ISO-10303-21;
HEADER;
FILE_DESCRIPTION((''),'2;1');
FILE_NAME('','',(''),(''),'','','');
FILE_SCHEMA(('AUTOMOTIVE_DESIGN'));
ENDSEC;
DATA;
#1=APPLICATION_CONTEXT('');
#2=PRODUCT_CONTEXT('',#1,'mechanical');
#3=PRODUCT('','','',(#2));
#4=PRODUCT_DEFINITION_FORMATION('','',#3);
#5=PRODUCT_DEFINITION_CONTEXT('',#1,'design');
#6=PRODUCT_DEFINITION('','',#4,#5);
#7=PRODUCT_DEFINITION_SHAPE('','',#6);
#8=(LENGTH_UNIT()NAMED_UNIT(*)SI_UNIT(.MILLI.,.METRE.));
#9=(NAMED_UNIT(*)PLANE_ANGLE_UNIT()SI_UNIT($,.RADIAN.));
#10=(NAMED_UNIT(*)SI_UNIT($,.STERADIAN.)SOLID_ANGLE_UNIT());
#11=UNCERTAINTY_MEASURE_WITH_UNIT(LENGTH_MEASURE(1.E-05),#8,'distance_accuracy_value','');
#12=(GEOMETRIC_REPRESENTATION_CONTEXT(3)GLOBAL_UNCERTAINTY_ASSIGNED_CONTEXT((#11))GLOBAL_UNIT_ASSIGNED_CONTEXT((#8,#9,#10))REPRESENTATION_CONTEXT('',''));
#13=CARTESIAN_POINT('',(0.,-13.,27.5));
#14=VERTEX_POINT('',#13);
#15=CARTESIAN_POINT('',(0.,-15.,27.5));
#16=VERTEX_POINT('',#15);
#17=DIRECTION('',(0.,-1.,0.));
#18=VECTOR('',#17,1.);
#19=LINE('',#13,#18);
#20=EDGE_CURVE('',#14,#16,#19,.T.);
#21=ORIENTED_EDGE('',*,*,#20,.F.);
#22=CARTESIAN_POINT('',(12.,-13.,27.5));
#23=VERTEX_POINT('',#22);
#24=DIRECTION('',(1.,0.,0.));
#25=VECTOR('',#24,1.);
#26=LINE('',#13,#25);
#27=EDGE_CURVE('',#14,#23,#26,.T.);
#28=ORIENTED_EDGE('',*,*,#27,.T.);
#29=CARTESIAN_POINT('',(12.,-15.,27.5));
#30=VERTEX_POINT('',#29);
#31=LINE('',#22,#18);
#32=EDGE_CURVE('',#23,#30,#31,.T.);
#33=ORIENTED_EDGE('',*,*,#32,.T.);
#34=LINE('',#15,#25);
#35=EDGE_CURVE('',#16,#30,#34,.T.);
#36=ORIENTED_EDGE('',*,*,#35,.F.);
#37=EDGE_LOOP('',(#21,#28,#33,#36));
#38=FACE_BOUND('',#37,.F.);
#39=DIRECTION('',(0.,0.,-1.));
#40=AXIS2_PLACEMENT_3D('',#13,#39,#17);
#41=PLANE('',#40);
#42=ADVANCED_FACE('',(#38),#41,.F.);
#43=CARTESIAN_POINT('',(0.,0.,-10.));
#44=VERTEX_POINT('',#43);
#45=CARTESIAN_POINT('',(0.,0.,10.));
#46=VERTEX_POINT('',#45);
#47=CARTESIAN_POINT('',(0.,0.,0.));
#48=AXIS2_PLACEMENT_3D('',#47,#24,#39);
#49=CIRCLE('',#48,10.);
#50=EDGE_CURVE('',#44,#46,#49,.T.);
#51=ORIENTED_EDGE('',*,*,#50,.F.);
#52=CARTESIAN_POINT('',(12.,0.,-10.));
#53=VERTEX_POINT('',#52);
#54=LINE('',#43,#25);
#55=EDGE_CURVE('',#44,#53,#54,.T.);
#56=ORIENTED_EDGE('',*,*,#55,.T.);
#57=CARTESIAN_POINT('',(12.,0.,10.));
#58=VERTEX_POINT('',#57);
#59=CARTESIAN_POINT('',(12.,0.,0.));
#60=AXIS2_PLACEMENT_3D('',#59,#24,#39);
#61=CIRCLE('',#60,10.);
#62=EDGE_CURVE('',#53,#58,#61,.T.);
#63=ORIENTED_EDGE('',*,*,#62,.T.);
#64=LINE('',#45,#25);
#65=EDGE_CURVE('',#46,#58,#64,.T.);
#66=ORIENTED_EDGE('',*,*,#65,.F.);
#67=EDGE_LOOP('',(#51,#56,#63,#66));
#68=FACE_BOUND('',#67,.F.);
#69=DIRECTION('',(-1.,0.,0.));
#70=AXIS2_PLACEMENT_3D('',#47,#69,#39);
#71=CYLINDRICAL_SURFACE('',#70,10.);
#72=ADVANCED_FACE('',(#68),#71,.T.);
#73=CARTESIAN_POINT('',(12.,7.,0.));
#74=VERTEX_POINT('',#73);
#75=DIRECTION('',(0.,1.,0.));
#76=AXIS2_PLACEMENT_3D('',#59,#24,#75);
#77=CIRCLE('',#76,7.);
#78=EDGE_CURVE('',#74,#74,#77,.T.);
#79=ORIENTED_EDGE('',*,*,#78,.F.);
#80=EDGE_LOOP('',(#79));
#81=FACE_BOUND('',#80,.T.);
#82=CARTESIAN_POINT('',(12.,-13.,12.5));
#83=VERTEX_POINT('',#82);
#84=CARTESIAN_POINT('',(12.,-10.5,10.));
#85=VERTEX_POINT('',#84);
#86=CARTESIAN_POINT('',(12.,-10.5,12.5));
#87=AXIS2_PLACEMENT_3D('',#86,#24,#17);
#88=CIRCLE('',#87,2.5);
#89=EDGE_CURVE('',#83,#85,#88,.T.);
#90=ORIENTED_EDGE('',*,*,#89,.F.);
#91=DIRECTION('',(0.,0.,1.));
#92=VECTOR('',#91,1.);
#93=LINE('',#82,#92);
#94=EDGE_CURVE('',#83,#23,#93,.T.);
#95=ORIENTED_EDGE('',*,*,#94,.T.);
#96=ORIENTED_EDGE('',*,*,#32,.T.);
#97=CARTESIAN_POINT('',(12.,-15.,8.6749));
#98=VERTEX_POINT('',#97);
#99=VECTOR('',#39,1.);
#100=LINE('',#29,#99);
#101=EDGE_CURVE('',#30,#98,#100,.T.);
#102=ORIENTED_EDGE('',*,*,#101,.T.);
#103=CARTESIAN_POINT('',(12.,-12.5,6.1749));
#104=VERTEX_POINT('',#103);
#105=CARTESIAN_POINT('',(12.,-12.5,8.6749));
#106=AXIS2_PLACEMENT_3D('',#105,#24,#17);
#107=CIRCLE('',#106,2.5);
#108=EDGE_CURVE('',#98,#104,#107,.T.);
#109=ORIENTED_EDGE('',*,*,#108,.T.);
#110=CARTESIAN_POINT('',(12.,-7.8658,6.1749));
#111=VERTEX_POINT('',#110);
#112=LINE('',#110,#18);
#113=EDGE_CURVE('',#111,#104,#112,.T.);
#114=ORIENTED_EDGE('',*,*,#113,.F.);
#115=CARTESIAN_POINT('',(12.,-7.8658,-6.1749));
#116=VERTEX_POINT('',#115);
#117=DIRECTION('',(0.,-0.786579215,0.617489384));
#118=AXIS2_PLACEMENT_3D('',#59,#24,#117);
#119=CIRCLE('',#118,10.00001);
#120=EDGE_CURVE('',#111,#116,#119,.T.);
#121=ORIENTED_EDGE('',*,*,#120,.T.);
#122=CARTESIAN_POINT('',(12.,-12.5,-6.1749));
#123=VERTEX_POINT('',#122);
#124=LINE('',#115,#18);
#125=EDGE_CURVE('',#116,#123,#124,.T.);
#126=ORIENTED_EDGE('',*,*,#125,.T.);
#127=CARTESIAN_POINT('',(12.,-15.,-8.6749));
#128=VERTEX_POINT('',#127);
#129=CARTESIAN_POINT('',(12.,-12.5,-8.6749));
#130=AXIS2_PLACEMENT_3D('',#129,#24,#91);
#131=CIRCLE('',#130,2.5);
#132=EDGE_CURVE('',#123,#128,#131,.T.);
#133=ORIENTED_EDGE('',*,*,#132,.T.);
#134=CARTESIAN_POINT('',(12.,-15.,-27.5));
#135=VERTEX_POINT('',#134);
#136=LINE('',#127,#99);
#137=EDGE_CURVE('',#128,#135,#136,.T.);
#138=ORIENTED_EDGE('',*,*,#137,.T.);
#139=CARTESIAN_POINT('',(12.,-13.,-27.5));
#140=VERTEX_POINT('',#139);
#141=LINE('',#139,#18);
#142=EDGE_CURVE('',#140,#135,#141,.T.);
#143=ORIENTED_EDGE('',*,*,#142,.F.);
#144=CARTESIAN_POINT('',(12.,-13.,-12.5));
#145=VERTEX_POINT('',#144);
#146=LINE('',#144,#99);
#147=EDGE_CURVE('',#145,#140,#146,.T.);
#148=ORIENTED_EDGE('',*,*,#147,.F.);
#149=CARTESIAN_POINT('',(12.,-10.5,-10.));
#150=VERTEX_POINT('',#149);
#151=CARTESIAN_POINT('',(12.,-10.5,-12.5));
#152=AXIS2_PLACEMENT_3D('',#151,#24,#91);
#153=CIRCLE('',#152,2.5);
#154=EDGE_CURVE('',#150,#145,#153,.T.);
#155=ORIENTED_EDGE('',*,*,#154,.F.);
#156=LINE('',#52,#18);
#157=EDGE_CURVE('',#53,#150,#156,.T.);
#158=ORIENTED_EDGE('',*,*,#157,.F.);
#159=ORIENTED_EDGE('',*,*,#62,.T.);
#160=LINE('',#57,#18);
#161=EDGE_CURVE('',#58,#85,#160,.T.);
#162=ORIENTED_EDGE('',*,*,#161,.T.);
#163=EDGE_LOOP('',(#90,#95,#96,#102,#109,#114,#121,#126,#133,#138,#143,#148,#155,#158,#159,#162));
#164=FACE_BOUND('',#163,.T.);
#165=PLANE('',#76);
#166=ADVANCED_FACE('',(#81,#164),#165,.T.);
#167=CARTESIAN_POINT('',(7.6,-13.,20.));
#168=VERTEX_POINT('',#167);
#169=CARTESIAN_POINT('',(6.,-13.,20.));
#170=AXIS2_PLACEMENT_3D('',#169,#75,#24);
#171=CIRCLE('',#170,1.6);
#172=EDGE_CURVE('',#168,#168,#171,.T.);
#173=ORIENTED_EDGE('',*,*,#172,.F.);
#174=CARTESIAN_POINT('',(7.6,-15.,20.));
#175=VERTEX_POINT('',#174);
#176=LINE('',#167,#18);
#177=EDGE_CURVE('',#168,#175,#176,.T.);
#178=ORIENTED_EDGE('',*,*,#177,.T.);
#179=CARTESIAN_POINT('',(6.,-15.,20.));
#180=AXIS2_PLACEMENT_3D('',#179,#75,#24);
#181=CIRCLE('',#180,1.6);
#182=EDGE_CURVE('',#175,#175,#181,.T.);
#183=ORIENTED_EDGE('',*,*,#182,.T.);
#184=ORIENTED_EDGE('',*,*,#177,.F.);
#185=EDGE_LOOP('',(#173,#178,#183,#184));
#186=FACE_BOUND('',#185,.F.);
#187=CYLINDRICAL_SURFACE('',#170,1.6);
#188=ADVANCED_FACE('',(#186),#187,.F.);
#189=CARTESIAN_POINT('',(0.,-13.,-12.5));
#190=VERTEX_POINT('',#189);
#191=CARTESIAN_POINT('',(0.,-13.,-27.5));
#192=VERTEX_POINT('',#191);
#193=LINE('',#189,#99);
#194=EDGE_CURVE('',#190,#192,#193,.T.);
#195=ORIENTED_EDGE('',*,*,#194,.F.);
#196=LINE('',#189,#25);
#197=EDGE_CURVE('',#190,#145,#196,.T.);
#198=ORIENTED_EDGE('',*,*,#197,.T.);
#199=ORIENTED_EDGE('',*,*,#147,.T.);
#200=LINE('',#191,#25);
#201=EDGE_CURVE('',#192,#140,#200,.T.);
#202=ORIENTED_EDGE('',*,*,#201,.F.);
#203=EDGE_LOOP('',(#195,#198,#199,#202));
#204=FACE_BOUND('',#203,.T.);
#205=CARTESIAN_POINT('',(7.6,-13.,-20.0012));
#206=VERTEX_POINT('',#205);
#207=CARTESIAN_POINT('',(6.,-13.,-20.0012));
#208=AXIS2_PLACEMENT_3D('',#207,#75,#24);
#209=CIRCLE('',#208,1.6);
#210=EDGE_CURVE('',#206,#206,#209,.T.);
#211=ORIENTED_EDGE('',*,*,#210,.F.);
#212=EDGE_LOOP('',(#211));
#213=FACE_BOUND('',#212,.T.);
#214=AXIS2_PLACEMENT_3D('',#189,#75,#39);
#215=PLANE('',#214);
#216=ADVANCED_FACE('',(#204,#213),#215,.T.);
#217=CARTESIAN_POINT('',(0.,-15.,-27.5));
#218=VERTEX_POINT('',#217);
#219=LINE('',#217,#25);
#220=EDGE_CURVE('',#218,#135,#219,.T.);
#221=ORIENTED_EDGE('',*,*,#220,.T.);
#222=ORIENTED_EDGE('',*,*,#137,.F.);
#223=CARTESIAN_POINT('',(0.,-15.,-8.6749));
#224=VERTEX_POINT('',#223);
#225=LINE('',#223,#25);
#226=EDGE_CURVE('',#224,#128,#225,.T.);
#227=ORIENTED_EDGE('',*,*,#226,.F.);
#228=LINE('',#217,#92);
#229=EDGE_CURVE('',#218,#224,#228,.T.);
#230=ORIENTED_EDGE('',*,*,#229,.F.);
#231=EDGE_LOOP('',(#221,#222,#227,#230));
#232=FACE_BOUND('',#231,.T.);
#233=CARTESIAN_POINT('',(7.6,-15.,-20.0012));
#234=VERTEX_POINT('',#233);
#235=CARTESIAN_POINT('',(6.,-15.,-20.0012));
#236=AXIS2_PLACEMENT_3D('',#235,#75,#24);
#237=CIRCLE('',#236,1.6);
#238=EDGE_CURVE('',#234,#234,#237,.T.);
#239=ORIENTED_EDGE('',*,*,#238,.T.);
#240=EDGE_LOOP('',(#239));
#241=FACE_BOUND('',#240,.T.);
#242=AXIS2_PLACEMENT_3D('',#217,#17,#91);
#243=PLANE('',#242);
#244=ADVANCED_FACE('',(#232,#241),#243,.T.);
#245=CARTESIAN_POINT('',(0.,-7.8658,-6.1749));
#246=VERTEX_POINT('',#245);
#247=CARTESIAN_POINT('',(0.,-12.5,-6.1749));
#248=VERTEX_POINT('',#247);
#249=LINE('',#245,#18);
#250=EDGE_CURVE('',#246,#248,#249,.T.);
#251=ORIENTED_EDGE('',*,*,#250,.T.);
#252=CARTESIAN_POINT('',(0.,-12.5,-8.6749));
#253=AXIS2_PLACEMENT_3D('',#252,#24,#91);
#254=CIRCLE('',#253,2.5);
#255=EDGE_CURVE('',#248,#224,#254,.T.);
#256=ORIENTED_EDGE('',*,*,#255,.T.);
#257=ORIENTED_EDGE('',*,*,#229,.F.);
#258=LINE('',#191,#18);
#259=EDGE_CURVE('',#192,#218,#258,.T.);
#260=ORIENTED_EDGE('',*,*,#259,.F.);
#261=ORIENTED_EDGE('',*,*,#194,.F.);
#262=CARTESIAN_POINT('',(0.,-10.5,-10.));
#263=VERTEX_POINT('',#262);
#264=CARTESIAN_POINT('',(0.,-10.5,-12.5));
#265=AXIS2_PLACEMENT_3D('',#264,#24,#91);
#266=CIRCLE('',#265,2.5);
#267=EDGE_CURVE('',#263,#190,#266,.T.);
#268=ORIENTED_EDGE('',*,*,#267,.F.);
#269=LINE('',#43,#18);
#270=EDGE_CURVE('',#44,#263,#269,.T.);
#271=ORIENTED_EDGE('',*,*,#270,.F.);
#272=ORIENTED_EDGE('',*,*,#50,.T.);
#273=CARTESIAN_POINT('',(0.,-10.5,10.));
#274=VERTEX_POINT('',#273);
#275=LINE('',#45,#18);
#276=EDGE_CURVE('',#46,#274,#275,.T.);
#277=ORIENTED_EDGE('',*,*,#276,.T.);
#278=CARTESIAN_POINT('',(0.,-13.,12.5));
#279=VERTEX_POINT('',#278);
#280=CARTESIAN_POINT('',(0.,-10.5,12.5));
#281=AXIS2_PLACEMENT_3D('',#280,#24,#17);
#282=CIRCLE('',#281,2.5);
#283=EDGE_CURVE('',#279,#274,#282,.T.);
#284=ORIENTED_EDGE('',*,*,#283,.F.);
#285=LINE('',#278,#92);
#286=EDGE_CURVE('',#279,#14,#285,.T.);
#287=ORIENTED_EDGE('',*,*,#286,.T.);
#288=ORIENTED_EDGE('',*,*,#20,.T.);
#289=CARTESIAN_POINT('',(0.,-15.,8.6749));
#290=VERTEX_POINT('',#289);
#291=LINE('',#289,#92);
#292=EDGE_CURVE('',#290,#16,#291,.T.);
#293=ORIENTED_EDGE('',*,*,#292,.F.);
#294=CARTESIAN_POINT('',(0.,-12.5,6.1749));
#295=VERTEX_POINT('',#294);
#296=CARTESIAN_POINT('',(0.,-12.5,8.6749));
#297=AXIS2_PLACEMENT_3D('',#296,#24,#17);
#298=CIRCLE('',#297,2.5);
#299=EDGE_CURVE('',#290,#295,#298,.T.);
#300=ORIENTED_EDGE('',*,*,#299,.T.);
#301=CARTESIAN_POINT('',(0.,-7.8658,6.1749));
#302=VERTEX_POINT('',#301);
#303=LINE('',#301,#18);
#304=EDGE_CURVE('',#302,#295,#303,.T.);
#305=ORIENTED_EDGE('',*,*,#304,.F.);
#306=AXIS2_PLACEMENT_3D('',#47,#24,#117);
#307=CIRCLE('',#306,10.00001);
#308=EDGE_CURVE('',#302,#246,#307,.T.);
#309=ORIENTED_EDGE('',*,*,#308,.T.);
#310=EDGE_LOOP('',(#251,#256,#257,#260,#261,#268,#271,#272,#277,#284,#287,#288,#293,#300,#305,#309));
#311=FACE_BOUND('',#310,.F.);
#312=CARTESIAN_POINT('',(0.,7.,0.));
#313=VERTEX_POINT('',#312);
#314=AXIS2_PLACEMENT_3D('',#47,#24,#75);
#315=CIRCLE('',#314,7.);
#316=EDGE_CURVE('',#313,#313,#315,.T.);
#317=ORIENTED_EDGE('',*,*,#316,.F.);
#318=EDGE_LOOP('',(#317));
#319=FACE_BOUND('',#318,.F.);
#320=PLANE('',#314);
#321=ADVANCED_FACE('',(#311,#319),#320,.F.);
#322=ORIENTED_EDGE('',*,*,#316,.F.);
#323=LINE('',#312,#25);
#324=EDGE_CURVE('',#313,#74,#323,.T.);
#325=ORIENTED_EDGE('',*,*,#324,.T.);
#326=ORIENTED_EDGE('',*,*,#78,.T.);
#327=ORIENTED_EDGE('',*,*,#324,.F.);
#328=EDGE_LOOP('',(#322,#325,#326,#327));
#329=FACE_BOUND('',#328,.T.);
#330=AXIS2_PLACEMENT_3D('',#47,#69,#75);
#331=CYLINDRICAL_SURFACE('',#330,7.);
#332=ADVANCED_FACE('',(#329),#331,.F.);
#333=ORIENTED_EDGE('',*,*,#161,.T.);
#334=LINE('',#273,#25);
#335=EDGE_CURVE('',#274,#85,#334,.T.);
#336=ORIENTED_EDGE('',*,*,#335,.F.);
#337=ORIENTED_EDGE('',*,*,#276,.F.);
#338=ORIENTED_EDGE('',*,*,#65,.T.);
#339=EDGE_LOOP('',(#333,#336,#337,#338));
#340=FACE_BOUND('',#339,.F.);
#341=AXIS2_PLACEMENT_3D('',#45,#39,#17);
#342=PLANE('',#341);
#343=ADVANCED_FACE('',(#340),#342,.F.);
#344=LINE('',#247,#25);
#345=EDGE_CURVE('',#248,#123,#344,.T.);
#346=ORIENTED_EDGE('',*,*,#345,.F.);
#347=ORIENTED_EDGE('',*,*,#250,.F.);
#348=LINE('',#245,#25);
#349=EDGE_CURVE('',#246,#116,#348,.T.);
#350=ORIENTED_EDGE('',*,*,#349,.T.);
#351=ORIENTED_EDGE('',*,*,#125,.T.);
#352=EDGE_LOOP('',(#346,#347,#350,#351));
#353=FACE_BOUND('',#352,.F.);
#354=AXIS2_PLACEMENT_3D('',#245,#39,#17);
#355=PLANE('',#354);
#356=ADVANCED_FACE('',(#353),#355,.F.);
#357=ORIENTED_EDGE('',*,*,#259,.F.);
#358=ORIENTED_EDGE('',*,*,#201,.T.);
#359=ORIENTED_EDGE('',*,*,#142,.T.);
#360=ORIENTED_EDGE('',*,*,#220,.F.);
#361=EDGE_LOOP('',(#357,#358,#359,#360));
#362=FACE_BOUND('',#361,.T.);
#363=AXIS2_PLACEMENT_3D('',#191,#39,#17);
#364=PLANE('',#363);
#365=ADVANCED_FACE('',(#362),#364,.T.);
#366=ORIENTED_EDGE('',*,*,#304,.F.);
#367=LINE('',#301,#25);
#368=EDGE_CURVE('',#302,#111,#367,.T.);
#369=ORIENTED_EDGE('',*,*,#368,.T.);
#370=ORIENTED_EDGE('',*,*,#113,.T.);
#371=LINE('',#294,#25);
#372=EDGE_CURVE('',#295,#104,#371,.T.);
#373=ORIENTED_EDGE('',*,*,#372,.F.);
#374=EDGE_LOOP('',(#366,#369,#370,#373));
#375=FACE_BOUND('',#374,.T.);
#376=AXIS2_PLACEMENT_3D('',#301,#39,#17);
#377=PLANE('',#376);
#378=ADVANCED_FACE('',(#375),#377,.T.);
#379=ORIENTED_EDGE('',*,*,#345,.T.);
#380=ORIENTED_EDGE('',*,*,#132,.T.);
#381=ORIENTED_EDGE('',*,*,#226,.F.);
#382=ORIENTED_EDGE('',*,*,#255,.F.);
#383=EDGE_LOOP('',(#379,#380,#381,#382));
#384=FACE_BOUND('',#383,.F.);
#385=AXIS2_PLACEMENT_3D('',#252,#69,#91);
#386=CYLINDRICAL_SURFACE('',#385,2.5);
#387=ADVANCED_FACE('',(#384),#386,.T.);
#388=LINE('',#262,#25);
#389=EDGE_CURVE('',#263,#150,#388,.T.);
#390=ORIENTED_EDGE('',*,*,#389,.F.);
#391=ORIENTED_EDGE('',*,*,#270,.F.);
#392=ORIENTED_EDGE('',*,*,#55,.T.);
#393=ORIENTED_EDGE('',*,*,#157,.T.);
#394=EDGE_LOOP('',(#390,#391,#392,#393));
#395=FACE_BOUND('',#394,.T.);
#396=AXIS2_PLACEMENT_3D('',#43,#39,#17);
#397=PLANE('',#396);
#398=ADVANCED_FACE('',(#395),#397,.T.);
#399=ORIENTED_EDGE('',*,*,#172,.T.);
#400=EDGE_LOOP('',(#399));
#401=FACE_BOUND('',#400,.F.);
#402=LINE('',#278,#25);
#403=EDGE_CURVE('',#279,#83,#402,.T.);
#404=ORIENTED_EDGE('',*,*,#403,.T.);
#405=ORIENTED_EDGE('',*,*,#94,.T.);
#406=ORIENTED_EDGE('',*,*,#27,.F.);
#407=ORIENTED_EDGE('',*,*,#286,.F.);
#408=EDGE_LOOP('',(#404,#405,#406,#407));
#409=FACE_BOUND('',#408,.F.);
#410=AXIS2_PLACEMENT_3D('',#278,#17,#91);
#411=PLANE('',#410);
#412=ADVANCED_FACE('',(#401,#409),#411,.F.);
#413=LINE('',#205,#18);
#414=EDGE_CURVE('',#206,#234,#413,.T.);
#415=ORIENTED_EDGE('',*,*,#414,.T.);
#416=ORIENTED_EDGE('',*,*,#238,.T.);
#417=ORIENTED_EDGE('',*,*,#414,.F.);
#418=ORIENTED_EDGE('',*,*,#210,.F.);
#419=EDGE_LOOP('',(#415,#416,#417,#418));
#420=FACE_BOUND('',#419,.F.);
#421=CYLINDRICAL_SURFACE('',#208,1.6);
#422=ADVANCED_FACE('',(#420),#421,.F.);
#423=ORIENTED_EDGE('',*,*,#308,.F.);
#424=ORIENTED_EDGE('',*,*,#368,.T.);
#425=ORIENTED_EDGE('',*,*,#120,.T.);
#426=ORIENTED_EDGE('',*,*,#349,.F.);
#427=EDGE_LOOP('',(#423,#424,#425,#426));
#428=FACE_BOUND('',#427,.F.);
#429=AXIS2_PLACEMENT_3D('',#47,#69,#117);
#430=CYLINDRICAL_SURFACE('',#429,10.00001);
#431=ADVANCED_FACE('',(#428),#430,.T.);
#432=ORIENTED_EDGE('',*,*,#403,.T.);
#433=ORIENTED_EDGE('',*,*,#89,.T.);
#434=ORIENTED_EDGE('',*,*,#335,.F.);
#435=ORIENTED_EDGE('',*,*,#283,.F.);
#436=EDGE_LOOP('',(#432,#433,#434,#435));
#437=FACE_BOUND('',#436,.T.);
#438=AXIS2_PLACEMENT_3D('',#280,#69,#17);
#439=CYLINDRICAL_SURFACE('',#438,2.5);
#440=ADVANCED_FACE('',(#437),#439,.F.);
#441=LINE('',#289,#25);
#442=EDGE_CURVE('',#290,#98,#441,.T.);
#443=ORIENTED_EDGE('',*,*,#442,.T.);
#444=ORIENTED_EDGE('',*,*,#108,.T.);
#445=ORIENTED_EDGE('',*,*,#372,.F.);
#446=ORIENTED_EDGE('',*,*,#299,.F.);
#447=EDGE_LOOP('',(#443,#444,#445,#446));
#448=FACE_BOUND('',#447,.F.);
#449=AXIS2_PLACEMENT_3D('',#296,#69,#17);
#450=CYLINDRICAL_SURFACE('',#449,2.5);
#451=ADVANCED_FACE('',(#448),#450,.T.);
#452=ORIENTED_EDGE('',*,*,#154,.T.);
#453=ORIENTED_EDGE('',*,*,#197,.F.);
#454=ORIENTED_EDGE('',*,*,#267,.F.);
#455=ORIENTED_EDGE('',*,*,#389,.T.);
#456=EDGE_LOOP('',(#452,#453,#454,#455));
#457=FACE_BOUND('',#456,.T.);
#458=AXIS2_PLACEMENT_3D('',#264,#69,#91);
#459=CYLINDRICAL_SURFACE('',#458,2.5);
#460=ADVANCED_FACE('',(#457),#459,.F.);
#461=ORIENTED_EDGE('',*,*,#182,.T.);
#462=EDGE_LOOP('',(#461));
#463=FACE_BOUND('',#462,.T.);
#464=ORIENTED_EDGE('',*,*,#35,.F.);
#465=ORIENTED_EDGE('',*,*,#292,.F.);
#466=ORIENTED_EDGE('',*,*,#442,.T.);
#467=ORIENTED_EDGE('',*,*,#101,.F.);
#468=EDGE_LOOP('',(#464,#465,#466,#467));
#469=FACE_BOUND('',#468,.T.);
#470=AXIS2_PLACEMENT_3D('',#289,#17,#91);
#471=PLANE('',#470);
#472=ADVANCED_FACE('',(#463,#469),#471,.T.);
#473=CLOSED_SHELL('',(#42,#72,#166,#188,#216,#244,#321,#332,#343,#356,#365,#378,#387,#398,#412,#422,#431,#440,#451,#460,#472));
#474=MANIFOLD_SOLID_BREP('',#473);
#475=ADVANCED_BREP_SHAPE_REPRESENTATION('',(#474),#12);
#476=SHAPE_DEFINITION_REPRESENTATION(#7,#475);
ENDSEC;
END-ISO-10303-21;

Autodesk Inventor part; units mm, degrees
ref_plane "YZ Plane" through (0, 0, 0) normal (1, 0, 0) x (0, 1, 0)
ref_plane "XZ Plane" through (0, 0, 0) normal (0, 1, 0) x (-1, 0, 0)
ref_plane "XY Plane" through (0, 0, 0) normal (0, 0, 1) x (1, 0, 0)
sketch "Sketch1" plane through (0, 0, 0) normal (1, 0, 0) x (0, 1, 0)
  circle A0 centre (0, 0) radius 7
  line L0 (0, 10) -> (-10.5, 10)
  line L1 (0, -10) -> (-10.5, -10)
  line L2 (-7.8658, 6.1749) -> (-12.5, 6.1749)
  line L3 (-15, 8.6749) -> (-15, 15.4804)
  arc A1 (-13, 12.5) -> (-10.5, 10) centre (-10.5, 12.5) ccw
  arc A2 (-15, 8.6749) -> (-12.5, 6.1749) centre (-12.5, 8.6749) ccw
  line L4 (-15, 20.163) -> (-15, 15.4804)
  line L5 (0, 0) -> (-13.6801, 0) construction
  line L6 (-7.8658, -6.1749) -> (-12.5, -6.1749)
  arc A3 (-7.8658, 6.1749) -> (-7.8658, -6.1749) centre (0, 0) ccw
  arc A4 (0, -10) -> (0, 10) centre (0, 0) ccw
  line L7 (-13, 12.5) -> (-13, 27.5)
  line L8 (-13, 27.5) -> (-15, 27.5)
  line L9 (-15, 27.5) -> (-15, 20.163)
  line L10 (-7.8658, -6.1749) -> (-12.5, -6.1749)
  line L11 (-15, -8.6749) -> (-15, -15.4804)
  arc A5 (-10.5, -10) -> (-13, -12.5) centre (-10.5, -12.5) ccw
  arc A6 (-12.5, -6.1749) -> (-15, -8.6749) centre (-12.5, -8.6749) ccw
  line L12 (-15, -20.163) -> (-15, -15.4804)
  line L13 (-13, -12.5) -> (-13, -27.5)
  line L14 (-15, -27.5) -> (-15, -20.163)
  line L15 (-13, -27.5) -> (-15, -27.5)
  point P0 (-13, 10)
  point P1 (-5.25, -10)
  point P2 (-13, -10)
  dimension "d0" = 14
  dimension "d2" = 13
  dimension "d4" = 2.5
  dimension "d7" = 15
extrude "Extrusion1" add sketch "Sketch1" along normal blind 12
sketch "Sketch2" plane through (0, -13, 27.5) normal (0, 1, 0) x (1, 0, 0)
  line L0 (0, 15) -> (0, 0) construction
  line L1 (0, 15) -> (12, 15) construction
  line L2 (0, 0) -> (12, 15) construction
  line L3 (12, 15) -> (12, 0) construction
  line L4 (0, 15) -> (12, 0) construction
  circle A0 centre (6, 7.5) radius 1.6
  point P0 (0, 27.5)
  dimension "d8" = 3.2
extrude "Extrusion2" cut sketch "Sketch2" against normal blind 12
sketch "Sketch3" plane through (0, -13, -12.5) normal (0, 1, 0) x (1, 0, 0)
  line L0 (12, -3.8251) -> (12, 15) construction
  line L1 (12, 15) -> (0, 0.0025) construction
  line L2 (0, -3.8251) -> (0, 15) construction
  line L3 (12, 0.0025) -> (0, 15) construction
  circle A0 centre (6, 7.5012) radius 1.6
  point P0 (0, -12.5)
  dimension "d11" = 3.2
extrude "Extrusion3" cut sketch "Sketch3" against normal blind 12
properties part number "Soporte_cojinete"
